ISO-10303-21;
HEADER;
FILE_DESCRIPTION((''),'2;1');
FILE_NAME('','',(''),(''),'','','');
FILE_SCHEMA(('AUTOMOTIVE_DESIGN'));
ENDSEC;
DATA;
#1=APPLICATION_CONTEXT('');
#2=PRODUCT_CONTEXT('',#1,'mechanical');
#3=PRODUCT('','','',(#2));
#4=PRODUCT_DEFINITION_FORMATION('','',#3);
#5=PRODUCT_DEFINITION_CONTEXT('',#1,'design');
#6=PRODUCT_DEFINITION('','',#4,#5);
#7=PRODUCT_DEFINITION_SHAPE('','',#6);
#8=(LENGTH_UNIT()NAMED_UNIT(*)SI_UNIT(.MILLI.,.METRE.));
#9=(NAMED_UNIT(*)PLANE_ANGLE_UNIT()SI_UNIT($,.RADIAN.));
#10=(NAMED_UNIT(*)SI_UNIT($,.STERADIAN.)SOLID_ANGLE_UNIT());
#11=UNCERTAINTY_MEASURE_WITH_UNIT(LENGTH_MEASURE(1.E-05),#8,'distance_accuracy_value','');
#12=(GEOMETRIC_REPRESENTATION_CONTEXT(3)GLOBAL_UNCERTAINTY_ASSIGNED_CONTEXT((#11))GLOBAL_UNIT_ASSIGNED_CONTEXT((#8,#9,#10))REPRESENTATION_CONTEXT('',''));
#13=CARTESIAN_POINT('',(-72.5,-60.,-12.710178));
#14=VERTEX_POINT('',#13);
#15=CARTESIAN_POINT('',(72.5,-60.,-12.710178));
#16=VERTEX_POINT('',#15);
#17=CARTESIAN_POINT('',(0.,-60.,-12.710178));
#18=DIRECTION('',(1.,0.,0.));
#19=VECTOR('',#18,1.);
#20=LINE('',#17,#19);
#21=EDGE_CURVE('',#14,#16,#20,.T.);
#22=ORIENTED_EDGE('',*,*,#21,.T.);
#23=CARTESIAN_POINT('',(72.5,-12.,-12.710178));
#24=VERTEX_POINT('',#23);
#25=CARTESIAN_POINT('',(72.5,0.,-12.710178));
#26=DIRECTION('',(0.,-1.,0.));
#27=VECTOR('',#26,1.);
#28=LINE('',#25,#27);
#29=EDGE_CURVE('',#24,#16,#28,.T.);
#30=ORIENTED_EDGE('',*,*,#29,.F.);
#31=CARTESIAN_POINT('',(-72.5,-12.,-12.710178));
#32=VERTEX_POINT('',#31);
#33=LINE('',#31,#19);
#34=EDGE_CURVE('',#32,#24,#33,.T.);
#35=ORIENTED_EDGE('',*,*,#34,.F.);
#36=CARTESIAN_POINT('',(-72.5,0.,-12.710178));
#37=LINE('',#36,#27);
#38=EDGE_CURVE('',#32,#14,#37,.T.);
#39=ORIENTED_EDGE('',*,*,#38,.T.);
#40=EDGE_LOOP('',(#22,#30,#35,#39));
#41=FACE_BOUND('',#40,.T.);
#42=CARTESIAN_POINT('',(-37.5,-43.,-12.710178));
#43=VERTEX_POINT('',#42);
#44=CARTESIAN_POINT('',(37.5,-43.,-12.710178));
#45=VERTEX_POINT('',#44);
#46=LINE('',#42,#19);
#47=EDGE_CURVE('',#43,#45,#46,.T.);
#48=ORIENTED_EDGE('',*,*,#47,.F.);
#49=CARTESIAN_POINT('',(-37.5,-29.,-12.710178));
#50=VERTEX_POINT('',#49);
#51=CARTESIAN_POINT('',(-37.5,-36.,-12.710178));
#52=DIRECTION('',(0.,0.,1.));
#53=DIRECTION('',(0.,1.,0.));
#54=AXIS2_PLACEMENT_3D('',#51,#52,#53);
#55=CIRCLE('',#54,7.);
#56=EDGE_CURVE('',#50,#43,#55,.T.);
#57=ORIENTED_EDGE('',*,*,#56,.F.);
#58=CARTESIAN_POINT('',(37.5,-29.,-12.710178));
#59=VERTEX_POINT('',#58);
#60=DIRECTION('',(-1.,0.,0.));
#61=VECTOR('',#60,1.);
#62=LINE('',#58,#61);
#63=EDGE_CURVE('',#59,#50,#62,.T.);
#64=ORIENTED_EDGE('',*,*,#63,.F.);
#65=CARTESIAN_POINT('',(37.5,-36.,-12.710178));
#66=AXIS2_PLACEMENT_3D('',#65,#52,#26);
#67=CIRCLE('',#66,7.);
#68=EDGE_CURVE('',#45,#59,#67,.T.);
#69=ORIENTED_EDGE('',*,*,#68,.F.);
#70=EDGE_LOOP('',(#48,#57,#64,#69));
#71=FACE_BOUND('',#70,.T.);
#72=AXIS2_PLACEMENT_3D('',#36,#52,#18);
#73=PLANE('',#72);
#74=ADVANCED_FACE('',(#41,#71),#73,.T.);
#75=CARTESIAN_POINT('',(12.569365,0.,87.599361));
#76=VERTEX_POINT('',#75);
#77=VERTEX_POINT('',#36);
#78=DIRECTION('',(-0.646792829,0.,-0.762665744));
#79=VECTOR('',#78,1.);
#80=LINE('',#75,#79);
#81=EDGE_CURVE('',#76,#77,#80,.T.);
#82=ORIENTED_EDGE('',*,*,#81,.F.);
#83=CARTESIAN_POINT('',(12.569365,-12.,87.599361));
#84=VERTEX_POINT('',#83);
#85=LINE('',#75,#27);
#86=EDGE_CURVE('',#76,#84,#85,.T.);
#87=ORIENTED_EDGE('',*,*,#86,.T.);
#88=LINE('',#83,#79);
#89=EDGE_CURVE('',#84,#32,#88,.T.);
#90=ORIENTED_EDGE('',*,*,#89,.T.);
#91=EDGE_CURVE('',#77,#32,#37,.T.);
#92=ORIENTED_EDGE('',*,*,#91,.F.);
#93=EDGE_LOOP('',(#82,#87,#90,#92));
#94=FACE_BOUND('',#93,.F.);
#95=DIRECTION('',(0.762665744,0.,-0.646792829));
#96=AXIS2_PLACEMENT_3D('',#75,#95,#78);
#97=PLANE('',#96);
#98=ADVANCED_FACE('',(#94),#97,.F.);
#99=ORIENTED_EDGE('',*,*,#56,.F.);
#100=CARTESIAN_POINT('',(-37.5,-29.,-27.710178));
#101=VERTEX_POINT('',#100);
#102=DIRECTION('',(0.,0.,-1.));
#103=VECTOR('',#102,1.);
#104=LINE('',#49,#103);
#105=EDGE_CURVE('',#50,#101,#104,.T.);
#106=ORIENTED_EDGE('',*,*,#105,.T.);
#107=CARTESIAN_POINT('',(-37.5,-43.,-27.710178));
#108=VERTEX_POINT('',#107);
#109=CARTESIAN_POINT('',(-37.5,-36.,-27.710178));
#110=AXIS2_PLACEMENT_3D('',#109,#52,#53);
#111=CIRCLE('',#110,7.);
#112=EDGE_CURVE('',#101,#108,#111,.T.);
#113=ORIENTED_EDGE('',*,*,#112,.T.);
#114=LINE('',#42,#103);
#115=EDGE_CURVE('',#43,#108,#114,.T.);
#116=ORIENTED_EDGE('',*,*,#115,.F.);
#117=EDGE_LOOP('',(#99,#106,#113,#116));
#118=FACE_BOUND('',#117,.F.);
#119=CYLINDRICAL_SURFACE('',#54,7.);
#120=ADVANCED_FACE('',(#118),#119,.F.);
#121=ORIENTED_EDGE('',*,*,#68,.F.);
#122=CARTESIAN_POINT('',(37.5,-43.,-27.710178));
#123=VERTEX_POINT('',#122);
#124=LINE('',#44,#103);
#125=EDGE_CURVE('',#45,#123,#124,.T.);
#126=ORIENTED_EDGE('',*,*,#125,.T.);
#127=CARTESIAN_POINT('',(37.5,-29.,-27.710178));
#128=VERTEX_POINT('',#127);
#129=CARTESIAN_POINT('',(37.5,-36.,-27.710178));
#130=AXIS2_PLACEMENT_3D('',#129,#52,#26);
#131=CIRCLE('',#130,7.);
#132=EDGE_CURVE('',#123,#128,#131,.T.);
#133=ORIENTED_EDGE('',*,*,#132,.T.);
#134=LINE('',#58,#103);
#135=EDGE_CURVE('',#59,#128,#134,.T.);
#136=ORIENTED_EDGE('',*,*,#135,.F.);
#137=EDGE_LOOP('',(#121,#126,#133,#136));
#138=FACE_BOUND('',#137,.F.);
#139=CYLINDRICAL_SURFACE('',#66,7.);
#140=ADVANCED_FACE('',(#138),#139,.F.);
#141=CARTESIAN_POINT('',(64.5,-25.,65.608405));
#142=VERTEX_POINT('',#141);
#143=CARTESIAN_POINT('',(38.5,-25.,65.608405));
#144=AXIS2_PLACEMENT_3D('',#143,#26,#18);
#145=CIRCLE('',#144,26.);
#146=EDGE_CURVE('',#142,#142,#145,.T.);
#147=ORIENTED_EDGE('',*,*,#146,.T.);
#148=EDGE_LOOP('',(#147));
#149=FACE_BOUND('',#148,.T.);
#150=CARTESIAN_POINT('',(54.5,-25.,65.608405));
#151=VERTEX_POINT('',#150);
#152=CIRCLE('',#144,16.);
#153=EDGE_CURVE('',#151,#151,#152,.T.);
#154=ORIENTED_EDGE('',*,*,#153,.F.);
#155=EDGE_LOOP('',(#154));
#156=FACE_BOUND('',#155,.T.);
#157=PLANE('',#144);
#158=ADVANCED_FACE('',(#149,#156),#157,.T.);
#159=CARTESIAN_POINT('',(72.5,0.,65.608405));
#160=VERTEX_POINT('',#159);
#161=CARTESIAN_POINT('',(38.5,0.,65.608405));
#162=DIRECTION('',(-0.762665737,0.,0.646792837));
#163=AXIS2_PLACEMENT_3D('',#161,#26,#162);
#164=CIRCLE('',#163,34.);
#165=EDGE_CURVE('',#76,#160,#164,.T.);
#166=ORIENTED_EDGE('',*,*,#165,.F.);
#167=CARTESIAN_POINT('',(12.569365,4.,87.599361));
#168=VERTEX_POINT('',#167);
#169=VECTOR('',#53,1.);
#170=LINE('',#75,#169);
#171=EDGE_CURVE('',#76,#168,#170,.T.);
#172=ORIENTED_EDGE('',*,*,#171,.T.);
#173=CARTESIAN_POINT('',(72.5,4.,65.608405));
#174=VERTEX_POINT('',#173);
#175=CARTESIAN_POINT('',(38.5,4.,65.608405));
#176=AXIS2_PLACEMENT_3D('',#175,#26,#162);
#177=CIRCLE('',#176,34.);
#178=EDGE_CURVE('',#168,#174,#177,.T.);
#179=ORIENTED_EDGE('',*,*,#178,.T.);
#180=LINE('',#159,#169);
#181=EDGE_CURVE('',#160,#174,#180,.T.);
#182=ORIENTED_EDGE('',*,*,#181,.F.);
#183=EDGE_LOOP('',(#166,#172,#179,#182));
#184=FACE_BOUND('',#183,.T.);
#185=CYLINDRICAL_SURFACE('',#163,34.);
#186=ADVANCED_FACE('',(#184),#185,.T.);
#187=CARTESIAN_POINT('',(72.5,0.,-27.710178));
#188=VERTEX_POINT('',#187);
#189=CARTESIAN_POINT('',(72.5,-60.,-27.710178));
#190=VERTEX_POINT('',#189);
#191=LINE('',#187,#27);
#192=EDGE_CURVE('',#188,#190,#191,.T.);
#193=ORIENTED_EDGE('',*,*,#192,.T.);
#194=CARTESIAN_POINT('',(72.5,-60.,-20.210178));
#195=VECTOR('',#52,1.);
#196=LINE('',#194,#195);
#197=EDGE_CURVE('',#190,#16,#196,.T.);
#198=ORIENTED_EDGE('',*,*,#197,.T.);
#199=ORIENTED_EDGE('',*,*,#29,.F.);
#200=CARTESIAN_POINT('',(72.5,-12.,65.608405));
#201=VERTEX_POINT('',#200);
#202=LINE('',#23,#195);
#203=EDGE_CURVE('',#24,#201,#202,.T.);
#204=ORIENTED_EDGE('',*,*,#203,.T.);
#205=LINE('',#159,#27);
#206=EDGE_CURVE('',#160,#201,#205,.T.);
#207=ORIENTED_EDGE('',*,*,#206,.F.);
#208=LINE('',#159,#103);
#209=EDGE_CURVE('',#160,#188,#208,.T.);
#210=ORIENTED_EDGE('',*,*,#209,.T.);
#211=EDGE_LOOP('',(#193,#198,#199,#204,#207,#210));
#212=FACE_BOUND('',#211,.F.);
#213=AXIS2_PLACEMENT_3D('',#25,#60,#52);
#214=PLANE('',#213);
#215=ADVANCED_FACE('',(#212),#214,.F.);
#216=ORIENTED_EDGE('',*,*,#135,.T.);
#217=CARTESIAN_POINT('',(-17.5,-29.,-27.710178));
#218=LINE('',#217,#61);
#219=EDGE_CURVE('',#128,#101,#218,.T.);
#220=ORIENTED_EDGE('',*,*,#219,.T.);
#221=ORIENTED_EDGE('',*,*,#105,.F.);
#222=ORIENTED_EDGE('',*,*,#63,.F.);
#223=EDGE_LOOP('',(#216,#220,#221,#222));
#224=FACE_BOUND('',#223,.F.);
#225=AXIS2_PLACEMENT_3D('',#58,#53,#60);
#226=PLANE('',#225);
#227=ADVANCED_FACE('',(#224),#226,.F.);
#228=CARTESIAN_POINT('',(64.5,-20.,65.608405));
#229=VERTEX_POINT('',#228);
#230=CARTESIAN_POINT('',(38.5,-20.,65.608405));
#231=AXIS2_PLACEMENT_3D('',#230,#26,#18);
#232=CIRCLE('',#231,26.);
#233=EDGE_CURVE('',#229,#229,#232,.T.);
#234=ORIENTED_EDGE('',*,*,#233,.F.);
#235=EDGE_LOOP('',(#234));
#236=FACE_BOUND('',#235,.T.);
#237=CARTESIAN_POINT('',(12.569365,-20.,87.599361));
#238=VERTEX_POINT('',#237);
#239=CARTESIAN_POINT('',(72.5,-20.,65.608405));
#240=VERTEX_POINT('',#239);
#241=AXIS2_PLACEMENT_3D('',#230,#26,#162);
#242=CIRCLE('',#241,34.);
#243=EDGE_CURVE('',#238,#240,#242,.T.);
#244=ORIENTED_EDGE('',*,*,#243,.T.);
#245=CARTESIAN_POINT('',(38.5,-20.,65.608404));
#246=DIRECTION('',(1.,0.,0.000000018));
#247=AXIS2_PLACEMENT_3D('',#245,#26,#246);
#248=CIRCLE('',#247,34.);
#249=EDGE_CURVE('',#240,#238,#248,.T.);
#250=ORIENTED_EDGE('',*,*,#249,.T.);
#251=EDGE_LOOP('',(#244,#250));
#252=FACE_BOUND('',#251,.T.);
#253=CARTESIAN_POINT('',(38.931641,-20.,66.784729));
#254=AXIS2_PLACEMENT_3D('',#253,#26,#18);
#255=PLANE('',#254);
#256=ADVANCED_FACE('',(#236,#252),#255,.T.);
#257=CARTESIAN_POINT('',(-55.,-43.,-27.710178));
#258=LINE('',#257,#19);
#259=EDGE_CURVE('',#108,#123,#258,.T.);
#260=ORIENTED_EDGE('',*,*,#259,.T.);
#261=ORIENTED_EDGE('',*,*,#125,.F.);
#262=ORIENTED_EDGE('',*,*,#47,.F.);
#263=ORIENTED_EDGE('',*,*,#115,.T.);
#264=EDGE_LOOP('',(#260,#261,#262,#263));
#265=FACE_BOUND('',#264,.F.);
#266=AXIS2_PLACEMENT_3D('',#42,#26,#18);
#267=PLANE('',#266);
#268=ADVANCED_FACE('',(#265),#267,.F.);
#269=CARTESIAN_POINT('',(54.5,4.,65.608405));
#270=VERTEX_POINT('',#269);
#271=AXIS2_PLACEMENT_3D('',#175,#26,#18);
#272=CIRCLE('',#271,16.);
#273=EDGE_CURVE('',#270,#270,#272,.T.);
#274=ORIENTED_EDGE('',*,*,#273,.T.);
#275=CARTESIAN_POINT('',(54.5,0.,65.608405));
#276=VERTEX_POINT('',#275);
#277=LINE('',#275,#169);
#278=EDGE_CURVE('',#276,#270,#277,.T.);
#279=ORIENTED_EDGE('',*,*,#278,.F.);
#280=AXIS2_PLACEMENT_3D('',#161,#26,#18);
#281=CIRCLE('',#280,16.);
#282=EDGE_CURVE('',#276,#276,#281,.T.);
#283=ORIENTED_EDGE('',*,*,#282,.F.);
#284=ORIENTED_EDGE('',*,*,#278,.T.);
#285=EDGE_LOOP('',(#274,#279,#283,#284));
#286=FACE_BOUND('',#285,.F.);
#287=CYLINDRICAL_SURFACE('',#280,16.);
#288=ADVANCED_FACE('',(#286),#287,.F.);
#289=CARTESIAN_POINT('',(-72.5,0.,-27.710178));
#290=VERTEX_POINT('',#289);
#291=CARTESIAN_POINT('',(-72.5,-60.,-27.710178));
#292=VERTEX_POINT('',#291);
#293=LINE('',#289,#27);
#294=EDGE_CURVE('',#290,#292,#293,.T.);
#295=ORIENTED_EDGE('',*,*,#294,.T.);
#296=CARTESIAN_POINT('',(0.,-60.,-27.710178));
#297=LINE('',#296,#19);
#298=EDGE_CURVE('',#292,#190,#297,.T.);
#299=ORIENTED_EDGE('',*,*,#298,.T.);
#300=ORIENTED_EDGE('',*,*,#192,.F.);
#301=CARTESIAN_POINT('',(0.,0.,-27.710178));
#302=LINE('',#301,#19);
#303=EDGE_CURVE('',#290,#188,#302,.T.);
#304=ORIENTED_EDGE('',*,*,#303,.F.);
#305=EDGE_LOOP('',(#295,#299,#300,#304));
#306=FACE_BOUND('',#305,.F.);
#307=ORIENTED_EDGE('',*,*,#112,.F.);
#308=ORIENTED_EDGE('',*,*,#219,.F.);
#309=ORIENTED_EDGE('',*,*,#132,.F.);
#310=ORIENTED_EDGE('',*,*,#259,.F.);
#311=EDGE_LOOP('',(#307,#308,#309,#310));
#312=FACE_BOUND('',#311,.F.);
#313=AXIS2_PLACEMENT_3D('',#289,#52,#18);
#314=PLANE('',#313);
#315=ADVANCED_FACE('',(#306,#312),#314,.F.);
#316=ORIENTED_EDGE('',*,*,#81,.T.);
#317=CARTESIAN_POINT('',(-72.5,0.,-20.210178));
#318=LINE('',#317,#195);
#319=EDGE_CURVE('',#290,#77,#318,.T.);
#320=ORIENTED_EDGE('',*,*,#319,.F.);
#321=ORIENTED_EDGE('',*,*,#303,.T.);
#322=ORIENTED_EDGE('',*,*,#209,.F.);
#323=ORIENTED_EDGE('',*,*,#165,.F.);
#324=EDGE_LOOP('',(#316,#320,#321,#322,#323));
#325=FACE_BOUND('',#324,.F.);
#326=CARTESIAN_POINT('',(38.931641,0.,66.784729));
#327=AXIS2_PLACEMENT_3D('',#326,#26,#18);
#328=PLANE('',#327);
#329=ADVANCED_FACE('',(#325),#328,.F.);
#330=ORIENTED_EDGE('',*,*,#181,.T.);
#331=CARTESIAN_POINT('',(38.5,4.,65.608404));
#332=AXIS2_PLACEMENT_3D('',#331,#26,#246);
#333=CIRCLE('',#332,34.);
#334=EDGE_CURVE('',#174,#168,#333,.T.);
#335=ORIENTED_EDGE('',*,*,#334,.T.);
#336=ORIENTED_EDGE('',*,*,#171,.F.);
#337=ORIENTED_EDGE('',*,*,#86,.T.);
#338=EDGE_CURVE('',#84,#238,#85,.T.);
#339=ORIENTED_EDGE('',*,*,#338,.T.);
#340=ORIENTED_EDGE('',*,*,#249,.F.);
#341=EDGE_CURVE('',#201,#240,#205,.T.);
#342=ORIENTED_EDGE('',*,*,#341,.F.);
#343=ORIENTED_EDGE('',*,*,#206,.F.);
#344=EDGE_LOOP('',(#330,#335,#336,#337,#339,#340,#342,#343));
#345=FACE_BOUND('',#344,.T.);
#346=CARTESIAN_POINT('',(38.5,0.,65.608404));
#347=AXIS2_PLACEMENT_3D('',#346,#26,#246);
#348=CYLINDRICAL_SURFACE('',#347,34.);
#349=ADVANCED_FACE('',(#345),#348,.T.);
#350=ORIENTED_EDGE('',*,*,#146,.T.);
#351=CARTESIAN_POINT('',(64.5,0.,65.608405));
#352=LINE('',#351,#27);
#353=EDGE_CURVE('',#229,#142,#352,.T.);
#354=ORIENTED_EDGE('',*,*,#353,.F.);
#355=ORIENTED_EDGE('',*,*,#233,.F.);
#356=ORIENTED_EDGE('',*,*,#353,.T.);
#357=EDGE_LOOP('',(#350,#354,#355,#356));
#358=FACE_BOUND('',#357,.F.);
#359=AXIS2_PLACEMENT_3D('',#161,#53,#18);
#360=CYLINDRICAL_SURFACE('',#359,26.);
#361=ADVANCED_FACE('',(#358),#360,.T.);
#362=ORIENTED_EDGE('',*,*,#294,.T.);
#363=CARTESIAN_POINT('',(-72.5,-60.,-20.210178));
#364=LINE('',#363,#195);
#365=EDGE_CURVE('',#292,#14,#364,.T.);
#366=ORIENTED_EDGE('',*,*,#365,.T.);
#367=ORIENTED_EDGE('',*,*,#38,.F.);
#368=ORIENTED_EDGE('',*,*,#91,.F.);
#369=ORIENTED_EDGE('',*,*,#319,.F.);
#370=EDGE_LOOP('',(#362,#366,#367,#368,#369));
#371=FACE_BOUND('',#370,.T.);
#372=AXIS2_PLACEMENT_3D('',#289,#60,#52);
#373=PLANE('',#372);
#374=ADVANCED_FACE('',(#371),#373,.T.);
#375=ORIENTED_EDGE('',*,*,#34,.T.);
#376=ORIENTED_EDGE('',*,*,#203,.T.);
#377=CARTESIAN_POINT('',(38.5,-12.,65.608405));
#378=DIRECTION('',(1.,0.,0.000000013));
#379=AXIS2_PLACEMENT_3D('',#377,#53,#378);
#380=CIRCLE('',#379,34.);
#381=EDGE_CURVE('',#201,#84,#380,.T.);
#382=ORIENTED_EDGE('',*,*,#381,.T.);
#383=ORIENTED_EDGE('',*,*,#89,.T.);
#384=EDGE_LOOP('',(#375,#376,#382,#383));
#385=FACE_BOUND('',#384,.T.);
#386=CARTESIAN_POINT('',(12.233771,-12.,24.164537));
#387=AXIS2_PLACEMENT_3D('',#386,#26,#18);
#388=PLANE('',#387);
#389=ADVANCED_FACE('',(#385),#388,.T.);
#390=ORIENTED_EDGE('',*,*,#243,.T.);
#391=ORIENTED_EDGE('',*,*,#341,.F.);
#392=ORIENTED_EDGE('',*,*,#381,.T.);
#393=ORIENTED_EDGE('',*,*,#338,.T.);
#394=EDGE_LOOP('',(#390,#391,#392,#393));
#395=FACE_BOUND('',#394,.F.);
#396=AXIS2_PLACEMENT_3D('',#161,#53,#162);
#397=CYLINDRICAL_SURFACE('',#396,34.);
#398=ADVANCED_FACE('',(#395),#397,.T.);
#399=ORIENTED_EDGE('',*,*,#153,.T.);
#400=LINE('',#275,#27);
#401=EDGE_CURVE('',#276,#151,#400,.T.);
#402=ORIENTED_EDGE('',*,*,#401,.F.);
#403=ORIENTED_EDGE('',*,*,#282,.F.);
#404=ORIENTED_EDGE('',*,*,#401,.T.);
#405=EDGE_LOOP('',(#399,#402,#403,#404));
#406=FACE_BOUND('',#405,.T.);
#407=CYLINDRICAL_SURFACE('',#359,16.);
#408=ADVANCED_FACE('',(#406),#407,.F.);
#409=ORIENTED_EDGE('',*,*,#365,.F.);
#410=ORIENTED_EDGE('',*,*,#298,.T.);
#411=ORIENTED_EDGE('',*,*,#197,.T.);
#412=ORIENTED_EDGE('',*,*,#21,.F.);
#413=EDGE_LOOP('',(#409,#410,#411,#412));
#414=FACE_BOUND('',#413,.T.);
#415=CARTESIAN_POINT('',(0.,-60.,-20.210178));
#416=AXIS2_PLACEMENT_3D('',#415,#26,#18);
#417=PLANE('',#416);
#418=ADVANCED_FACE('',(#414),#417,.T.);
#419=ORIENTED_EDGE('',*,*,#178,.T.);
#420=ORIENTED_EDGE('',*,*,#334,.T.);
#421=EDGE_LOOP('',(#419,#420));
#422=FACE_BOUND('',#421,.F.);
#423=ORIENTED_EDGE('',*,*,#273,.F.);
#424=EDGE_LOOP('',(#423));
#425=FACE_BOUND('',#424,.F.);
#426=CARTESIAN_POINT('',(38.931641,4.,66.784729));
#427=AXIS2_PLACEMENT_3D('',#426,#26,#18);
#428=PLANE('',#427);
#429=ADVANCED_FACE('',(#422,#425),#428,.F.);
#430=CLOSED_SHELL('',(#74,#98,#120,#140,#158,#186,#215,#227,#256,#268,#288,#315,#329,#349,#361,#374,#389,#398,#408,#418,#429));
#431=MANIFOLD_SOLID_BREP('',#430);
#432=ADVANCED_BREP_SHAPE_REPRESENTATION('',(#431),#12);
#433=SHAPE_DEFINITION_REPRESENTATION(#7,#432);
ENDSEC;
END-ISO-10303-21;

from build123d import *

# Parameters (mm, degrees)
F0_W     = 145
F0_H     = 15
F1_DEPTH = 60
F2_DEPTH = 12
F0_R     = 26
F3_DEPTH = 20
F0_R_2   = 16
F4_DEPTH = 25
F6_DEPTH = 25
F7_DEPTH = 4


with BuildPart() as f1:
    # F0 (on Front) → F1 (new body)
    with BuildSketch(Plane.XZ):
        with Locations((0, -20.210178)):
            Rectangle(F0_W, F0_H)
    extrude(amount=F1_DEPTH)

    # F0 (on Front) → F2 (join)
    with BuildSketch(Plane.XZ):
        with BuildLine():
            Line((12.569365, 87.599361), (-72.5, -12.710178))
            Line((-72.5, -12.710178), (72.5, -12.710178))
            Line((72.5, -12.710178), (72.5, 65.608405))
            ThreePointArc((72.5, 65.608405), (26.787648, 33.689432), (12.569365, 87.599361))
        make_face()
    extrude(amount=F2_DEPTH)

    # F0 (on Front) → F3 (join)
    with BuildSketch(Plane.XZ):
        with BuildLine():
            ThreePointArc((72.5, 65.608405), (50.212352, 97.527377), (12.569365, 87.599361))
            ThreePointArc((12.569365, 87.599361), (26.787648, 33.689432), (72.5, 65.608405))
        make_face()
        with Locations((38.5, 65.608405)):
            Circle(F0_R, mode=Mode.SUBTRACT)
    extrude(amount=F3_DEPTH)

    # F0 (on Front) → F4 (join)
    with BuildSketch(Plane.XZ):
        with Locations((38.5, 65.608405)):
            Circle(F0_R)
        with Locations((38.5, 65.608405)):
            Circle(F0_R_2, mode=Mode.SUBTRACT)
    extrude(amount=F4_DEPTH)

    # F5 (on face) → F6 (cut)
    with BuildSketch(Plane.XY.offset(-12.710178)):
        with BuildLine():
            Line((37.5, -29), (-37.5, -29))
            ThreePointArc((-37.5, -29), (-44.5, -36), (-37.5, -43))
            Line((-37.5, -43), (37.5, -43))
            ThreePointArc((37.5, -43), (44.5, -36), (37.5, -29))
        make_face()
    extrude(amount=-F6_DEPTH, mode=Mode.SUBTRACT)

    # F0 (on Front) → F7 (join)
    with BuildSketch(Plane.XZ):
        with BuildLine():
            ThreePointArc((72.5, 65.608405), (50.212352, 97.527377), (12.569365, 87.599361))
            ThreePointArc((12.569365, 87.599361), (26.787648, 33.689432), (72.5, 65.608405))
        make_face()
        with Locations((38.5, 65.608405)):
            Circle(F0_R, mode=Mode.SUBTRACT)
        with Locations((38.5, 65.608405)):
            Circle(F0_R)
        with Locations((38.5, 65.608405)):
            Circle(F0_R_2, mode=Mode.SUBTRACT)
    extrude(amount=-F7_DEPTH)


solid = f1.part
